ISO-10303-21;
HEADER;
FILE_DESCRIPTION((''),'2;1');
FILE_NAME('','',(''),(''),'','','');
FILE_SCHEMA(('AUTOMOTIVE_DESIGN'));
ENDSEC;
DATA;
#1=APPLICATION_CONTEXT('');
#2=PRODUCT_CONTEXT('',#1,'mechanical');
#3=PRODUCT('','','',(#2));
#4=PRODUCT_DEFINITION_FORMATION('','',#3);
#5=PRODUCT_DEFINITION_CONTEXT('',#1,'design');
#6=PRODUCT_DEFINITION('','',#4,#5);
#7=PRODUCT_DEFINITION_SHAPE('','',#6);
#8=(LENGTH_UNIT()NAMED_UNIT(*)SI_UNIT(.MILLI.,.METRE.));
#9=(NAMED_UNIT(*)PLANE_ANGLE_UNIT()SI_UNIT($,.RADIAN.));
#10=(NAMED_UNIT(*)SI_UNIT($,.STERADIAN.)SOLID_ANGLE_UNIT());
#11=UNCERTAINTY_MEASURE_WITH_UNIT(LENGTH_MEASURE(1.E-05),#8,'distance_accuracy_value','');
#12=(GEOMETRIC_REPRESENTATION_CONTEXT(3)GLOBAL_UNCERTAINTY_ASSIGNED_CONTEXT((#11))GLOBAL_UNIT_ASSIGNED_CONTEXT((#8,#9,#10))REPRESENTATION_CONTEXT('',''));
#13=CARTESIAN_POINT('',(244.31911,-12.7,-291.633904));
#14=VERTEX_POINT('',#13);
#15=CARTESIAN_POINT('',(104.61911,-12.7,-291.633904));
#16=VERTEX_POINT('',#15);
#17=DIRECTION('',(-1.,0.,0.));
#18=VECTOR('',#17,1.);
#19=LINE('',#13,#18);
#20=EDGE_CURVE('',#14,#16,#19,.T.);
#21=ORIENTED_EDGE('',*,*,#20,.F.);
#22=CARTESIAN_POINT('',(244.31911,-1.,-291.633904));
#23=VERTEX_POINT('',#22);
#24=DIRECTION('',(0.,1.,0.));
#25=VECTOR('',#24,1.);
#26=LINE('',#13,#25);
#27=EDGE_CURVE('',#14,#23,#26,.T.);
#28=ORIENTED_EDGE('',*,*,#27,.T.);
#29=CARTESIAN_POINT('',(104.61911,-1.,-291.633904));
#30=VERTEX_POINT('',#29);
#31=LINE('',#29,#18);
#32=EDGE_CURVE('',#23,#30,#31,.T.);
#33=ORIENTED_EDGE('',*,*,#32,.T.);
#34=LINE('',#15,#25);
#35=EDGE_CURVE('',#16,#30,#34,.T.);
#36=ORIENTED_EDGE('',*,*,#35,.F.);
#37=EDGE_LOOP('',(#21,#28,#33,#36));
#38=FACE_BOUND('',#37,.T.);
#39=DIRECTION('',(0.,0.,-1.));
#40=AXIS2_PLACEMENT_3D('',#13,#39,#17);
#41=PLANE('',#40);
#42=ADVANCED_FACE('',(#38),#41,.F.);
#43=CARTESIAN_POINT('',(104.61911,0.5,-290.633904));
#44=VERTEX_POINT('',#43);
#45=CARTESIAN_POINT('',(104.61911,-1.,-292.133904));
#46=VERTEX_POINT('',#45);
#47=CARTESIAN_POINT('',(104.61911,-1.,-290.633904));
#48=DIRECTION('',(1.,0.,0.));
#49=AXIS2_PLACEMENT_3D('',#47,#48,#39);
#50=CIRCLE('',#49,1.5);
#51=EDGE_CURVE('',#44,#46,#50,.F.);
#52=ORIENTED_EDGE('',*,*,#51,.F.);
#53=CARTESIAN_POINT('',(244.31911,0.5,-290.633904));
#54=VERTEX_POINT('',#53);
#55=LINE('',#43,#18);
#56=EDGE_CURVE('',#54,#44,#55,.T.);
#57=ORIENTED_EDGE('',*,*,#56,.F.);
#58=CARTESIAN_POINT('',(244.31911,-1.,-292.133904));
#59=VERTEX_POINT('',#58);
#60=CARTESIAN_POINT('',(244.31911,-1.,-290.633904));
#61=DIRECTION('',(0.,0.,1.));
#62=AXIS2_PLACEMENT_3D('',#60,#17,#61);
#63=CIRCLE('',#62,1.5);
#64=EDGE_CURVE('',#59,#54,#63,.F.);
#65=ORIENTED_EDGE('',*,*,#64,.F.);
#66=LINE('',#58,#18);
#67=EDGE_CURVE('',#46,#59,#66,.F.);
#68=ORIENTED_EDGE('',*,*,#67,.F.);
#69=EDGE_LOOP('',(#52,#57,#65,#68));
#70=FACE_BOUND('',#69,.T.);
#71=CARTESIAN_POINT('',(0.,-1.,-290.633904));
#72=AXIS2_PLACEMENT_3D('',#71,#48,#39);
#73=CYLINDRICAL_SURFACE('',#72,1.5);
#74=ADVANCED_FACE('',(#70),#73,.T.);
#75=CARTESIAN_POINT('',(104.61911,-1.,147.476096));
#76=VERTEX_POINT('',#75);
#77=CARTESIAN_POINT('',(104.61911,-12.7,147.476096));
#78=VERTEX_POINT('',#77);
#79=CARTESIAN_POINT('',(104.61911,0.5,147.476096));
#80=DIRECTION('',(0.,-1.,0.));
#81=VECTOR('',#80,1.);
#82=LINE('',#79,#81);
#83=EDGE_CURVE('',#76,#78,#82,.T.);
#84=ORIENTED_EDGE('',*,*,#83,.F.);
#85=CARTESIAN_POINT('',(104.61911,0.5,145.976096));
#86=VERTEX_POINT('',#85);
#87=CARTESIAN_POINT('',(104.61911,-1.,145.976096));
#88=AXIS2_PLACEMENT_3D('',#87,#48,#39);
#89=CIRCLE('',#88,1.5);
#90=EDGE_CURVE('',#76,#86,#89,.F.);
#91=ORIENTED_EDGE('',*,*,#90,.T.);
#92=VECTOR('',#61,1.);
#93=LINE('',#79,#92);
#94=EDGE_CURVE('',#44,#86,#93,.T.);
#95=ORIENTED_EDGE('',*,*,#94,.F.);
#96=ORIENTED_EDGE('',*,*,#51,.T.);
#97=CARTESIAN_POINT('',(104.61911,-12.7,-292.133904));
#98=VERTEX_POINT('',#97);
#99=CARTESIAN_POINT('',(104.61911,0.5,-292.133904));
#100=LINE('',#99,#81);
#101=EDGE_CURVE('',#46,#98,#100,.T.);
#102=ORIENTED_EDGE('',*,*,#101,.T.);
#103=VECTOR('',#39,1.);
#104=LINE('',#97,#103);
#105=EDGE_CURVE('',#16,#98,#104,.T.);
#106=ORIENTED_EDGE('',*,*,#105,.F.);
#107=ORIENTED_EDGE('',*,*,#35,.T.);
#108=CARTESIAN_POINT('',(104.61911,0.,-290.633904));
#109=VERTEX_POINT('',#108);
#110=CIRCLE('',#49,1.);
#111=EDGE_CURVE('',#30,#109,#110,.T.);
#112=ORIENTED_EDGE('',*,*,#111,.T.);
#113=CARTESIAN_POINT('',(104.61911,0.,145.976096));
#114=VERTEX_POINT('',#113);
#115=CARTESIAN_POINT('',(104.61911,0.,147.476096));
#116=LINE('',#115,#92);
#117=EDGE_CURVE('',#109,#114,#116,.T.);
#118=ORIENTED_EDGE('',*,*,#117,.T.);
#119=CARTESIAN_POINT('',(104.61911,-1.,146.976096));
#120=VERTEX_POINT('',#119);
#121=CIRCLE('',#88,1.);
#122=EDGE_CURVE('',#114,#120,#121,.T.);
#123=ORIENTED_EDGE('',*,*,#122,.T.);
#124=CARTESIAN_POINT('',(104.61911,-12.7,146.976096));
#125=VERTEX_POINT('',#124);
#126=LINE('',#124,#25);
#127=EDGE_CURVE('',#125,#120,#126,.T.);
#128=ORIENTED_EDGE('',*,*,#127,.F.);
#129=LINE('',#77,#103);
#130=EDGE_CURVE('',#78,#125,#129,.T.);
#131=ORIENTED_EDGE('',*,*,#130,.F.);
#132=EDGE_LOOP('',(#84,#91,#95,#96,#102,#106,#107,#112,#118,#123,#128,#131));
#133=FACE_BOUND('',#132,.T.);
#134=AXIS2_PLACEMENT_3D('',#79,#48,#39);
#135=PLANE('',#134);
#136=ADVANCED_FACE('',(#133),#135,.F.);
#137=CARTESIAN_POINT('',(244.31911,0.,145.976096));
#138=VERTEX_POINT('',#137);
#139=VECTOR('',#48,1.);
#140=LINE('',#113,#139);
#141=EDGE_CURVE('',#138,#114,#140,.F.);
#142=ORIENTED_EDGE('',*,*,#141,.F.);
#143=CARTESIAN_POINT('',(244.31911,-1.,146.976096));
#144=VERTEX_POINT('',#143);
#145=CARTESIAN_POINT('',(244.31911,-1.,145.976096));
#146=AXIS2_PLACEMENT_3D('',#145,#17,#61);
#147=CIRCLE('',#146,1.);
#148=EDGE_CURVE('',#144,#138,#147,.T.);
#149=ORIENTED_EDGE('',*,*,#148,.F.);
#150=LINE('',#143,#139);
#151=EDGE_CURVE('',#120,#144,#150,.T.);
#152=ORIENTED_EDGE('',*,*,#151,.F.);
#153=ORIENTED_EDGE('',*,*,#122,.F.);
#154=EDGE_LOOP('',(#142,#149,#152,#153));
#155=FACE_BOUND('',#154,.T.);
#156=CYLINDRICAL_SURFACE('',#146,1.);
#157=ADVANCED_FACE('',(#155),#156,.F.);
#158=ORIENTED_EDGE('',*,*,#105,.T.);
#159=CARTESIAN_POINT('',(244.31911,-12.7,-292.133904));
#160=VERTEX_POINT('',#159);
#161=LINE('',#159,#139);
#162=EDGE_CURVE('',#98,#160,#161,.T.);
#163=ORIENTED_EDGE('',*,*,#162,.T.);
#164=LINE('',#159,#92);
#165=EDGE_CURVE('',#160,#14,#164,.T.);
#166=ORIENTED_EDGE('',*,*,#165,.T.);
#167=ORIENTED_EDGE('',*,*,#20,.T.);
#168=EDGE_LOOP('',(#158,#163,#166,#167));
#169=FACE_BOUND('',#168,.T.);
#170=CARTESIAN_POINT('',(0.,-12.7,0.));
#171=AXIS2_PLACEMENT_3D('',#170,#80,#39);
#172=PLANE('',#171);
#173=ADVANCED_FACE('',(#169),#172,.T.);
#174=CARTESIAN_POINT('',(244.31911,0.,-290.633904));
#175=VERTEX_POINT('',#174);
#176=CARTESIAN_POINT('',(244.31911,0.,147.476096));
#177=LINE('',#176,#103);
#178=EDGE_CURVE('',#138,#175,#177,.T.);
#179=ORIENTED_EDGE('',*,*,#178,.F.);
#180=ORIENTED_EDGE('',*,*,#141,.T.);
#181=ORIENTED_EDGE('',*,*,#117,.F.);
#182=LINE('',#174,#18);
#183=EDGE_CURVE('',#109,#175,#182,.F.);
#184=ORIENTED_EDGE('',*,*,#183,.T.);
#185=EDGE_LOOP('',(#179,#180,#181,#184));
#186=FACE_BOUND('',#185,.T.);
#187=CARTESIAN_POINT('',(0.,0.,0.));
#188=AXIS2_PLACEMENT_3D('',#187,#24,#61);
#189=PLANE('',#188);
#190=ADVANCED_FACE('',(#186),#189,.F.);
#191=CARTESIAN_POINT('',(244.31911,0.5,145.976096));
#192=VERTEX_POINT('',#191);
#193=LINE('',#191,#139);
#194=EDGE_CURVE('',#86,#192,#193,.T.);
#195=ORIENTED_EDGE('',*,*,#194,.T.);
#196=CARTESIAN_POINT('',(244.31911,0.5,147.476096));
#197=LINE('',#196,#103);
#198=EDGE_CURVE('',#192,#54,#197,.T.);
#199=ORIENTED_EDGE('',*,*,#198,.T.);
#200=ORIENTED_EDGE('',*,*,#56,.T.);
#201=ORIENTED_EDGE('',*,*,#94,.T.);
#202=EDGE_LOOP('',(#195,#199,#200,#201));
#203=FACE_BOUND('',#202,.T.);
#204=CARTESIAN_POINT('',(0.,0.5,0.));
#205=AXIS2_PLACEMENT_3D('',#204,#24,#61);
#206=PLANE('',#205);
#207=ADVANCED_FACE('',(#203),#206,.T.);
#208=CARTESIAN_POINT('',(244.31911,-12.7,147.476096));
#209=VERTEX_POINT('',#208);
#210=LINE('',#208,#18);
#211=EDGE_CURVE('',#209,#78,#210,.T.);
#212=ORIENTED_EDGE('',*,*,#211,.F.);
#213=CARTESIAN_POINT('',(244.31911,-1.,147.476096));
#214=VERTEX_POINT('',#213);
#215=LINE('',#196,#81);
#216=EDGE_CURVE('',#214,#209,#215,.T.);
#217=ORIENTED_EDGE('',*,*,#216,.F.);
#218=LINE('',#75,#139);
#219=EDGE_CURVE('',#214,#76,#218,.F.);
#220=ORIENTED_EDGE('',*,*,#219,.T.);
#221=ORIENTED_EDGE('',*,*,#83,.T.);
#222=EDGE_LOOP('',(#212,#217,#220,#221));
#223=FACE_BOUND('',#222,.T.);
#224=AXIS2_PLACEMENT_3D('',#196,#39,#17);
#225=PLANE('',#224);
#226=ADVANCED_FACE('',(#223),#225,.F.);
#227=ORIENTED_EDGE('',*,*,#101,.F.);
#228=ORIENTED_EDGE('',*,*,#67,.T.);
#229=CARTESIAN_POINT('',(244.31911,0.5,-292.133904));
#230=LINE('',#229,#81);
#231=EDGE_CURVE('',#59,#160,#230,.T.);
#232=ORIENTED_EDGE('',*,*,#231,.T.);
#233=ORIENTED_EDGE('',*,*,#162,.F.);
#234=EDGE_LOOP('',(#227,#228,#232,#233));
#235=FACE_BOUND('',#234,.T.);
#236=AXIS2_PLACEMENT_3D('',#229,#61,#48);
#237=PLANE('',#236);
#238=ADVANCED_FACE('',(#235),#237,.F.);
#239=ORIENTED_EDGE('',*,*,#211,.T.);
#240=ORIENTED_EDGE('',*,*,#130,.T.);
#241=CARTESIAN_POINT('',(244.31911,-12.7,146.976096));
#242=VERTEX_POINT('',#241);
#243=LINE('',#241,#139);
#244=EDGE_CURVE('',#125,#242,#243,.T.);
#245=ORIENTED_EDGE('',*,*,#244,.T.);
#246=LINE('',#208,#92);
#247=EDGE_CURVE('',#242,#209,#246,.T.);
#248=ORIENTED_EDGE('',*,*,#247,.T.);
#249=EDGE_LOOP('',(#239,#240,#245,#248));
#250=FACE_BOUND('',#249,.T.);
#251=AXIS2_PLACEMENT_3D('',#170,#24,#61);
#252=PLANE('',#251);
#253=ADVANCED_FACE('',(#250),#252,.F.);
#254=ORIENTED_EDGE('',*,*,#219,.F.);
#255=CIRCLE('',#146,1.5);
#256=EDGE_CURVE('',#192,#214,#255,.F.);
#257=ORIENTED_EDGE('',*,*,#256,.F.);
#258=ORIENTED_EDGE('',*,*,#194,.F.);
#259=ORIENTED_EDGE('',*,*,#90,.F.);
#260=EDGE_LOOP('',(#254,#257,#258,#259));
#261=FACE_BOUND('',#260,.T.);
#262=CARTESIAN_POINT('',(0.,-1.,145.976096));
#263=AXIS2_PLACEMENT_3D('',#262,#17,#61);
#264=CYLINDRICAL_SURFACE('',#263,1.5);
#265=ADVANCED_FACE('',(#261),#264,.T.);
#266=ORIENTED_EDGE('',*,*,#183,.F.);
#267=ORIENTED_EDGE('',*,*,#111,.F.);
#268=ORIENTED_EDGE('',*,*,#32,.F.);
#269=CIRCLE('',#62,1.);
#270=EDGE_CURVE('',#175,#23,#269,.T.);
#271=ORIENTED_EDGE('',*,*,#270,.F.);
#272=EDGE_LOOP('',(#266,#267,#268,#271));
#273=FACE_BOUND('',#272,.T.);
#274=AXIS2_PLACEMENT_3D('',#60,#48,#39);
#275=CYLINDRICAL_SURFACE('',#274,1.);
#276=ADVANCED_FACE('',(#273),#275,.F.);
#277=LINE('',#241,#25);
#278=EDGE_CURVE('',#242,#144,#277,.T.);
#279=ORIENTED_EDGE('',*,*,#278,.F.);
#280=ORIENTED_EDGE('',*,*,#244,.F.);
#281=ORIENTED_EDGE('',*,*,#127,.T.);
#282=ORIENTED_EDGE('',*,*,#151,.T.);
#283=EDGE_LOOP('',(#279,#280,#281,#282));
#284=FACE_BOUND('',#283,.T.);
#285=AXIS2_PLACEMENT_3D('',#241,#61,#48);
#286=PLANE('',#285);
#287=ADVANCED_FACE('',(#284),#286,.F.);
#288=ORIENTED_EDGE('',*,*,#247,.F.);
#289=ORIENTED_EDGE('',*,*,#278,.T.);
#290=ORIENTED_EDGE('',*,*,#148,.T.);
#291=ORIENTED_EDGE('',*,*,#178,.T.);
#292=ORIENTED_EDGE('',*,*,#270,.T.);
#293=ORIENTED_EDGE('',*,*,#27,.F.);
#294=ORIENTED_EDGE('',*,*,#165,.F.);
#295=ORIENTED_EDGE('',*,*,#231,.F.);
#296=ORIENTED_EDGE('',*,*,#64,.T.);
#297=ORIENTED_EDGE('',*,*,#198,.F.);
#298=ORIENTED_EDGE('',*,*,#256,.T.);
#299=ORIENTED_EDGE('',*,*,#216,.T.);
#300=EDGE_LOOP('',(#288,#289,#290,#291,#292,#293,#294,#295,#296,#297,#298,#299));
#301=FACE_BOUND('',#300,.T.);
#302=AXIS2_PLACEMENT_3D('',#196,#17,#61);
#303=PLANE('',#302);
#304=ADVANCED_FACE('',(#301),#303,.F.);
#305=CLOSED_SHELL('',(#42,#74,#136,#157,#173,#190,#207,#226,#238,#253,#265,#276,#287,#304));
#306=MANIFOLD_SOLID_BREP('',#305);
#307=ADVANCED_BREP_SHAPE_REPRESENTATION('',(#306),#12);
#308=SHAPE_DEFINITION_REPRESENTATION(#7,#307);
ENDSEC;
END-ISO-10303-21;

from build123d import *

# Parameters (mm, degrees)
SKETCH1_W           = 139.7
SKETCH1_H           = 439.61
BOSS_EXTRUDE1_DEPTH = 0.5
SKETCH2_W           = 139.7
SKETCH2_H           = 0.5
BOSS_EXTRUDE2_DEPTH = 12.7
FILLET1_R           = 1
FILLET2_R           = 1.5
SKETCH4_W           = 139.7
SKETCH4_H           = 0.5
BOSS_EXTRUDE3_DEPTH = 12.7
FILLET3_R           = 1
FILLET4_R           = 1.5


with BuildPart() as part:
    # Sketch1 → Boss-Extrude1 (new body)
    with BuildSketch(Plane(origin=(0, 0, 0), x_dir=(1, 0, 0), z_dir=(0, 1, 0))):
        with Locations((174.46911026, 72.328904153)):
            Rectangle(SKETCH1_W, SKETCH1_H)
    extrude(amount=BOSS_EXTRUDE1_DEPTH)

    # Sketch2 → Boss-Extrude2 (add)
    with BuildSketch(Plane.XZ):
        with Locations((174.46911026, 147.226095847)):
            Rectangle(SKETCH2_W, SKETCH2_H)
    extrude(amount=BOSS_EXTRUDE2_DEPTH)

    # Fillet1
    fillet1_edges = [part.edges().sort_by_distance(p)[0] for p in [
        (174.46911026, 0, 146.976095847),
    ]]
    fillet(fillet1_edges, radius=FILLET1_R)

    # Fillet2
    fillet2_edges = [part.edges().sort_by_distance(p)[0] for p in [
        (174.46911026, 0.5, 147.476095847),
    ]]
    fillet(fillet2_edges, radius=FILLET2_R)

    # Sketch4 → Boss-Extrude3 (add)
    with BuildSketch(Plane.XZ):
        with Locations((174.46911026, -291.883904153)):
            Rectangle(SKETCH4_W, SKETCH4_H)
    extrude(amount=BOSS_EXTRUDE3_DEPTH)

    # Fillet3
    fillet3_edges = [part.edges().sort_by_distance(p)[0] for p in [
        (174.46911026, 0, -291.633904153),
    ]]
    fillet(fillet3_edges, radius=FILLET3_R)

    # Fillet4
    fillet4_edges = [part.edges().sort_by_distance(p)[0] for p in [
        (174.46911026, 0.5, -292.133904153),
    ]]
    fillet(fillet4_edges, radius=FILLET4_R)


solid = part.part
